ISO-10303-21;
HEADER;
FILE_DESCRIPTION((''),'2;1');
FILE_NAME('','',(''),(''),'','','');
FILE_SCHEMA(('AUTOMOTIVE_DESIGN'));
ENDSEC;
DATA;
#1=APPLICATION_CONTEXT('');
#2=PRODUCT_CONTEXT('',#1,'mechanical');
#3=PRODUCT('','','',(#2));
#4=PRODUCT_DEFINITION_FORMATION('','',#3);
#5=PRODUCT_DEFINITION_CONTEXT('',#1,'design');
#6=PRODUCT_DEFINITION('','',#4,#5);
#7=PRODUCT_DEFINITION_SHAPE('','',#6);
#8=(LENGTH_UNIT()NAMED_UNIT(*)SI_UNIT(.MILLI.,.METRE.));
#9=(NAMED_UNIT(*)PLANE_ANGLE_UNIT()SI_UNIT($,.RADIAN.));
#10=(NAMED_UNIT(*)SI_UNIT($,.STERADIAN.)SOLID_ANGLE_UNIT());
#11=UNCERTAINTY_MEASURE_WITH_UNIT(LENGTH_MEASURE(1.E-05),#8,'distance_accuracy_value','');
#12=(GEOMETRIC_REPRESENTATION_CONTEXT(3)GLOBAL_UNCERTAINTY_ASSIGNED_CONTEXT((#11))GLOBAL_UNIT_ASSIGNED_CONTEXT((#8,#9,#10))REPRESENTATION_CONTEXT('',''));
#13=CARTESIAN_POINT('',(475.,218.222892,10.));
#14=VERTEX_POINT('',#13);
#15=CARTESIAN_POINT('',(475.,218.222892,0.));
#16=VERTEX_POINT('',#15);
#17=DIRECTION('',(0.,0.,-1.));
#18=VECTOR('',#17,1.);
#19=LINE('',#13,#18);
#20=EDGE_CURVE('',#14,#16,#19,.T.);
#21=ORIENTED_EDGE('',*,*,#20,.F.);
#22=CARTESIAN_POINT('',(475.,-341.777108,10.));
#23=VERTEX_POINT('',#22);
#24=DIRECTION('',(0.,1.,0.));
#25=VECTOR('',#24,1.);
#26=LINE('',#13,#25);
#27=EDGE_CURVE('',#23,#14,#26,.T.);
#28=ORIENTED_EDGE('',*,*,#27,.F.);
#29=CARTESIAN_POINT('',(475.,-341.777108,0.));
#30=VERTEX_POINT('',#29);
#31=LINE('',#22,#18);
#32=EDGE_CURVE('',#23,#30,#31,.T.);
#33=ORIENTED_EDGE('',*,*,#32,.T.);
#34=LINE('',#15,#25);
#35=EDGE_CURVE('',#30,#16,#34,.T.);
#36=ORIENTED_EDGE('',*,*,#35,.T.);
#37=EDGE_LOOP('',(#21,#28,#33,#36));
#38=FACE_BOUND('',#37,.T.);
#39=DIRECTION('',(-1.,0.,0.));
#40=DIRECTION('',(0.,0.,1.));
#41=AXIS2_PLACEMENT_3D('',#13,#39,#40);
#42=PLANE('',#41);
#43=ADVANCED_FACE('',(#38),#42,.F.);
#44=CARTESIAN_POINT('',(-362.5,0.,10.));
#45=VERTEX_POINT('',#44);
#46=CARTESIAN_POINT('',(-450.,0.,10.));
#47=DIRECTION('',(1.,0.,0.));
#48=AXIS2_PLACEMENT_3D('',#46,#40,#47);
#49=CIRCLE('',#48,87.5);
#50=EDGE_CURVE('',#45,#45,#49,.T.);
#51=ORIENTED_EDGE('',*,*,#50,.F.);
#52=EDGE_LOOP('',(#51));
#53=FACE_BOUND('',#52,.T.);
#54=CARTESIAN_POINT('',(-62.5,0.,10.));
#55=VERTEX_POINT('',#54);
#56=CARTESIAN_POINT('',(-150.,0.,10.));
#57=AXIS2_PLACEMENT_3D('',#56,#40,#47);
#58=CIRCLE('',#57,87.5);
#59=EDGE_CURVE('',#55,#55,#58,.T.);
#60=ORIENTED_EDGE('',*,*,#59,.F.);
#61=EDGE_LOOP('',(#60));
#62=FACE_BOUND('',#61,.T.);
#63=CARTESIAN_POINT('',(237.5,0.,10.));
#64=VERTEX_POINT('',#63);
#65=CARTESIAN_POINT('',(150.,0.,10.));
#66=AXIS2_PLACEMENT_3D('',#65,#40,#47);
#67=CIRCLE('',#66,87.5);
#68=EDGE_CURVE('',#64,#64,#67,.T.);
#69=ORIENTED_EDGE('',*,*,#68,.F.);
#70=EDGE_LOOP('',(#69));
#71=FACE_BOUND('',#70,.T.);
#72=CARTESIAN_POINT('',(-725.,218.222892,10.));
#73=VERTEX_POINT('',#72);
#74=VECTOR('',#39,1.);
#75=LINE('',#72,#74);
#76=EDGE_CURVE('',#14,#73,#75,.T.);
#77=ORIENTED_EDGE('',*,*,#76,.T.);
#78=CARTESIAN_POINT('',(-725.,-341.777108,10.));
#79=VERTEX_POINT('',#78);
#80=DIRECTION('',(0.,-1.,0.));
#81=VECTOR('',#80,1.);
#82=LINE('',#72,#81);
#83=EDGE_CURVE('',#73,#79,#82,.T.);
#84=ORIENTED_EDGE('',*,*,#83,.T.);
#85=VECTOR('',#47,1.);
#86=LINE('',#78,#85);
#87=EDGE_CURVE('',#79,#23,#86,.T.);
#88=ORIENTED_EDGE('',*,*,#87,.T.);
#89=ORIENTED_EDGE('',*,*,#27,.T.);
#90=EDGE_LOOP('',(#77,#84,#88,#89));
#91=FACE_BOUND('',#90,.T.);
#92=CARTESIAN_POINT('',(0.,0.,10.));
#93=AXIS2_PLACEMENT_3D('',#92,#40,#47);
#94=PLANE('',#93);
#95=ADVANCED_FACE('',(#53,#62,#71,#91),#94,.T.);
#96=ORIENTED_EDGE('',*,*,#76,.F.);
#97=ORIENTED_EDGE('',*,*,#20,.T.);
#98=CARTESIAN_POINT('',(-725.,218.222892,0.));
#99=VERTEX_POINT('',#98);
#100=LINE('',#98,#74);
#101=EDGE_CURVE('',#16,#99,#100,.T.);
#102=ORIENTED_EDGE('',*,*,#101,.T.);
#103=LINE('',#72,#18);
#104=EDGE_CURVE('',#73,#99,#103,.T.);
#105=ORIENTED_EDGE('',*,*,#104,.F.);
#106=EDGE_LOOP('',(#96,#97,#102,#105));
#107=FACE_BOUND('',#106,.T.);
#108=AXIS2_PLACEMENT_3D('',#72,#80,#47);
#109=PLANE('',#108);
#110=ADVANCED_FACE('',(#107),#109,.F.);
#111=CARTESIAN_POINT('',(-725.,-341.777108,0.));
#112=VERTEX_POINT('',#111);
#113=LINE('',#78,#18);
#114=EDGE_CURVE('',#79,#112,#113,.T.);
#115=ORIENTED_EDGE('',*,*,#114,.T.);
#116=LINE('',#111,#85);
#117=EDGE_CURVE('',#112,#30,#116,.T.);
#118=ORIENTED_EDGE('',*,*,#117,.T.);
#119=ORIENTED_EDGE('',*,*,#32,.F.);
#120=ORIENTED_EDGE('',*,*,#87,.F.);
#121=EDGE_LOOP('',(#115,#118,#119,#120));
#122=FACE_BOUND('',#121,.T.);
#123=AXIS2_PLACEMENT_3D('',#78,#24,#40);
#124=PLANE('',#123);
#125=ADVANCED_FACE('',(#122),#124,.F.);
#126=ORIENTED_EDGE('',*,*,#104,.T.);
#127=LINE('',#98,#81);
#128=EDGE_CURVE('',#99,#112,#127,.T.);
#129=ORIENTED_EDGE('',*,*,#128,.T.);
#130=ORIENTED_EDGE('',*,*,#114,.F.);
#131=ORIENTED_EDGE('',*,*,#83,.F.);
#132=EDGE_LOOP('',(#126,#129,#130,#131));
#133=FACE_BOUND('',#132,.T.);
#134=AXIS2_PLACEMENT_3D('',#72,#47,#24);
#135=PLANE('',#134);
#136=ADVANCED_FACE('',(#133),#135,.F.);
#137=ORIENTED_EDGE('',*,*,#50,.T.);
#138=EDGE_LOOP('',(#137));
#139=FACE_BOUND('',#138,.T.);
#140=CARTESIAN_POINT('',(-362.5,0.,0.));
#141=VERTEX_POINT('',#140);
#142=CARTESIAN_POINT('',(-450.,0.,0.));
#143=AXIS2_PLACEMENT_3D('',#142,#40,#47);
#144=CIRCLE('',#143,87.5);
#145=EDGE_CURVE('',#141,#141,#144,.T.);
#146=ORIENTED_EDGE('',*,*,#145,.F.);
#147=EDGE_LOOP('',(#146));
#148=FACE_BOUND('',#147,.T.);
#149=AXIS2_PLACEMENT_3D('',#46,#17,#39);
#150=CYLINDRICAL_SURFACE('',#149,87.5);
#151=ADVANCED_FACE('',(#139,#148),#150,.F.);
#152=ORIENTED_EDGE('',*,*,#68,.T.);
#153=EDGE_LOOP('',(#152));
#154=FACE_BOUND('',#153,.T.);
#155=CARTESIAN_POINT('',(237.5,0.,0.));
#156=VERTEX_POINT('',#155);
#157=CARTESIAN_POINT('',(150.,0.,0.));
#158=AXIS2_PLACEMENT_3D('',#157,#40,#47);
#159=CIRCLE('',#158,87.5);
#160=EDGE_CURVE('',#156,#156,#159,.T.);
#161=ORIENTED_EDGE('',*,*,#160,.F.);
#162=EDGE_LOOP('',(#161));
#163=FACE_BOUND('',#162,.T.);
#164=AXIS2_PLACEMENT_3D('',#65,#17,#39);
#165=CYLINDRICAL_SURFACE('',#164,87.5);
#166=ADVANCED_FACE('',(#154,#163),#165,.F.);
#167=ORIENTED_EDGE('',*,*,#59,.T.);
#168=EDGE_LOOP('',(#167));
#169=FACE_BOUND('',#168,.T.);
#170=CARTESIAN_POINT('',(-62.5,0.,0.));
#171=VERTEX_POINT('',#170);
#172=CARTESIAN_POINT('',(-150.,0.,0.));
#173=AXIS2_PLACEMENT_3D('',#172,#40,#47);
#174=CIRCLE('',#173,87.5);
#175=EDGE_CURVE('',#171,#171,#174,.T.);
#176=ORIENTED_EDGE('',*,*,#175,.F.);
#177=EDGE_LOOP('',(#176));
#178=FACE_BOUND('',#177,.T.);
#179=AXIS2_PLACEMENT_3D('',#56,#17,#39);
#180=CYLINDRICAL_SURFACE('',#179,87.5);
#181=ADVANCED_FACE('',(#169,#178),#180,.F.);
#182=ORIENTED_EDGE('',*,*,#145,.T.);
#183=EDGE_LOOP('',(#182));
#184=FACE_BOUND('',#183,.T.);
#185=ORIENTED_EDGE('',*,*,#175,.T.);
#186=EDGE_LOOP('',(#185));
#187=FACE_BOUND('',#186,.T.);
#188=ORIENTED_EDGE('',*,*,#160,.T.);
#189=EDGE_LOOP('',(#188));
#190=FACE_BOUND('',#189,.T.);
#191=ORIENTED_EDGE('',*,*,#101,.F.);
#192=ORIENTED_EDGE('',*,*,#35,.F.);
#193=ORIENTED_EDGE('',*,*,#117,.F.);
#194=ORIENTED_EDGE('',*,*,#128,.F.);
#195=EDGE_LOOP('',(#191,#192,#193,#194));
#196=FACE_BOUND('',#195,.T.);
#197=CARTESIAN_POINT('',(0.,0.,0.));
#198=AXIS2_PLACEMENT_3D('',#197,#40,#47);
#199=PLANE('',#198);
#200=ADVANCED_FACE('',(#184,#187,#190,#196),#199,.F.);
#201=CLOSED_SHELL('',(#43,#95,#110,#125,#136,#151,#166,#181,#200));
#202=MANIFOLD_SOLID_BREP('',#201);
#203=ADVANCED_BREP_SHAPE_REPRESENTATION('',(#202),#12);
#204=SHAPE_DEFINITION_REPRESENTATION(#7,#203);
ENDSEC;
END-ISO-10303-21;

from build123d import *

# Parameters (mm, degrees)
SKETCH1_W           = 1200
SKETCH1_H           = 560
SKETCH1_R           = 87.5
BOSS_EXTRUDE1_DEPTH = 10


with BuildPart() as part:
    # Sketch1 → Boss-Extrude1 (new body)
    with BuildSketch(Plane.XY):
        with Locations((-125, -61.777108434)):
            Rectangle(SKETCH1_W, SKETCH1_H)
        with Locations((150, 0)):
            Circle(SKETCH1_R, mode=Mode.SUBTRACT)
        with Locations((-150, 0)):
            Circle(SKETCH1_R, mode=Mode.SUBTRACT)
        with Locations((-450, 0)):
            Circle(SKETCH1_R, mode=Mode.SUBTRACT)
    extrude(amount=BOSS_EXTRUDE1_DEPTH)


solid = part.part
